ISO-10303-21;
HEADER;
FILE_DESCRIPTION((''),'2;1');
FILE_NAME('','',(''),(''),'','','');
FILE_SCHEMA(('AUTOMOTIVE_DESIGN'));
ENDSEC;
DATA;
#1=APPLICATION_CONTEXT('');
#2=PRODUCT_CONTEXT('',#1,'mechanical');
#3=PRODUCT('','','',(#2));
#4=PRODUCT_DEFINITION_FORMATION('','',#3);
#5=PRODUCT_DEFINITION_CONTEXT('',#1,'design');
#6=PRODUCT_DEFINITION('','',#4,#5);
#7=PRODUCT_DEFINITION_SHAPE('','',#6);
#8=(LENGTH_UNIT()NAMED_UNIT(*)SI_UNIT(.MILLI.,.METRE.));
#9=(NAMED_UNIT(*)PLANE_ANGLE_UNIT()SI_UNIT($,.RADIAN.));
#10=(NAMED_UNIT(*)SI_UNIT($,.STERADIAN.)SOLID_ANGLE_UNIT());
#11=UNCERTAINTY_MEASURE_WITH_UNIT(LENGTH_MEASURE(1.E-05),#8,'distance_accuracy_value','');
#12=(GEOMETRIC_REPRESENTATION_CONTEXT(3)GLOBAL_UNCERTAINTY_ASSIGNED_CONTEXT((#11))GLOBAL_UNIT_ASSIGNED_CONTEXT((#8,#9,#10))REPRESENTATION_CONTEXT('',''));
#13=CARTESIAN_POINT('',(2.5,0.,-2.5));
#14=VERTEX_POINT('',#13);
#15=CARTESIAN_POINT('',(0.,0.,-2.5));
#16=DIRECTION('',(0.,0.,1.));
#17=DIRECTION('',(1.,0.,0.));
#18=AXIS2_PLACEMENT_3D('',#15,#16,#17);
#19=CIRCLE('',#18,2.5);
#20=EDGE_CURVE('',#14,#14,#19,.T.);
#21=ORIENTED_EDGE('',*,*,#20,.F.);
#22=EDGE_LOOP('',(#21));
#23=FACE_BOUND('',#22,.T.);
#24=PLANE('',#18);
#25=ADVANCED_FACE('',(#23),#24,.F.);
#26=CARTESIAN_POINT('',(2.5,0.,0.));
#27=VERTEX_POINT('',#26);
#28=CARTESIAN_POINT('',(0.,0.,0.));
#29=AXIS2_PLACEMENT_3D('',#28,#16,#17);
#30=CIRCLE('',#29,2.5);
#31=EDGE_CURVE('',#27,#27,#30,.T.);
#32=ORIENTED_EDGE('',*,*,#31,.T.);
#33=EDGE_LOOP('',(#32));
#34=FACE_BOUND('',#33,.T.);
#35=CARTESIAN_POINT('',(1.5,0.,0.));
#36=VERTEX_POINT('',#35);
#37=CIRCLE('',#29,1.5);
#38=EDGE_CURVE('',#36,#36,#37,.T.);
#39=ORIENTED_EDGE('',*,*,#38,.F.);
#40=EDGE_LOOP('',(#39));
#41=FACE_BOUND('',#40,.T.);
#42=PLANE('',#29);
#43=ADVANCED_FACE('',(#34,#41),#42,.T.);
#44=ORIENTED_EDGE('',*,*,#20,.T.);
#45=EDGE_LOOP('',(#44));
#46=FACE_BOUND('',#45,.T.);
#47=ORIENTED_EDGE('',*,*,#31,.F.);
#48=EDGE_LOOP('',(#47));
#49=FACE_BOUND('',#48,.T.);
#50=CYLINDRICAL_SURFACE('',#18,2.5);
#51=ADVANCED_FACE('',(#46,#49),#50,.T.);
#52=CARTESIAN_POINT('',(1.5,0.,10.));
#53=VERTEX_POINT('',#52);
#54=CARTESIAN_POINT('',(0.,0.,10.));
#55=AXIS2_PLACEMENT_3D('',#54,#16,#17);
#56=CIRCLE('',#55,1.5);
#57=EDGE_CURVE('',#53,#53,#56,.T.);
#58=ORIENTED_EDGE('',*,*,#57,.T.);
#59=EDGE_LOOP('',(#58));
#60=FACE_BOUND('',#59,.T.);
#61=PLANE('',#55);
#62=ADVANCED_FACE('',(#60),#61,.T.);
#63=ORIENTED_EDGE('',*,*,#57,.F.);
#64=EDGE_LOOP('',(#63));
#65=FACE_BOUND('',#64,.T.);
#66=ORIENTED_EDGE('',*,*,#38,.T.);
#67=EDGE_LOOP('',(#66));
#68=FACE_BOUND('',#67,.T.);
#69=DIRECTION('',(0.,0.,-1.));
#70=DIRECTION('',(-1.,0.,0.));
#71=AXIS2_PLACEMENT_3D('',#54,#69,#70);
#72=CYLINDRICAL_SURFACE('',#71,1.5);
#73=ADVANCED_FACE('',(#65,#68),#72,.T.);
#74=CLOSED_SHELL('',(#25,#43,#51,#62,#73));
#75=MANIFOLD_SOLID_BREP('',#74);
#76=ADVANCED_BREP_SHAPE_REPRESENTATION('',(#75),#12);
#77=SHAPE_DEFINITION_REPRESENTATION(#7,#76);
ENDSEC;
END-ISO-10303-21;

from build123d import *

# Parameters (mm, degrees)
SKETCH1_R           = 2.5
BOSS_EXTRUDE3_DEPTH = 2.5
SKETCH1_3_R         = 1.5
BOSS_EXTRUDE4_DEPTH = 10


with BuildPart() as part:
    # Sketch1 → Boss-Extrude3 (new body)
    with BuildSketch(Plane.XY):
        Circle(SKETCH1_R)
    extrude(amount=-BOSS_EXTRUDE3_DEPTH)

    # Sketch1<3> → Boss-Extrude4 (add)
    with BuildSketch(Plane.XY):
        Circle(SKETCH1_3_R)
    extrude(amount=BOSS_EXTRUDE4_DEPTH)


solid = part.part
